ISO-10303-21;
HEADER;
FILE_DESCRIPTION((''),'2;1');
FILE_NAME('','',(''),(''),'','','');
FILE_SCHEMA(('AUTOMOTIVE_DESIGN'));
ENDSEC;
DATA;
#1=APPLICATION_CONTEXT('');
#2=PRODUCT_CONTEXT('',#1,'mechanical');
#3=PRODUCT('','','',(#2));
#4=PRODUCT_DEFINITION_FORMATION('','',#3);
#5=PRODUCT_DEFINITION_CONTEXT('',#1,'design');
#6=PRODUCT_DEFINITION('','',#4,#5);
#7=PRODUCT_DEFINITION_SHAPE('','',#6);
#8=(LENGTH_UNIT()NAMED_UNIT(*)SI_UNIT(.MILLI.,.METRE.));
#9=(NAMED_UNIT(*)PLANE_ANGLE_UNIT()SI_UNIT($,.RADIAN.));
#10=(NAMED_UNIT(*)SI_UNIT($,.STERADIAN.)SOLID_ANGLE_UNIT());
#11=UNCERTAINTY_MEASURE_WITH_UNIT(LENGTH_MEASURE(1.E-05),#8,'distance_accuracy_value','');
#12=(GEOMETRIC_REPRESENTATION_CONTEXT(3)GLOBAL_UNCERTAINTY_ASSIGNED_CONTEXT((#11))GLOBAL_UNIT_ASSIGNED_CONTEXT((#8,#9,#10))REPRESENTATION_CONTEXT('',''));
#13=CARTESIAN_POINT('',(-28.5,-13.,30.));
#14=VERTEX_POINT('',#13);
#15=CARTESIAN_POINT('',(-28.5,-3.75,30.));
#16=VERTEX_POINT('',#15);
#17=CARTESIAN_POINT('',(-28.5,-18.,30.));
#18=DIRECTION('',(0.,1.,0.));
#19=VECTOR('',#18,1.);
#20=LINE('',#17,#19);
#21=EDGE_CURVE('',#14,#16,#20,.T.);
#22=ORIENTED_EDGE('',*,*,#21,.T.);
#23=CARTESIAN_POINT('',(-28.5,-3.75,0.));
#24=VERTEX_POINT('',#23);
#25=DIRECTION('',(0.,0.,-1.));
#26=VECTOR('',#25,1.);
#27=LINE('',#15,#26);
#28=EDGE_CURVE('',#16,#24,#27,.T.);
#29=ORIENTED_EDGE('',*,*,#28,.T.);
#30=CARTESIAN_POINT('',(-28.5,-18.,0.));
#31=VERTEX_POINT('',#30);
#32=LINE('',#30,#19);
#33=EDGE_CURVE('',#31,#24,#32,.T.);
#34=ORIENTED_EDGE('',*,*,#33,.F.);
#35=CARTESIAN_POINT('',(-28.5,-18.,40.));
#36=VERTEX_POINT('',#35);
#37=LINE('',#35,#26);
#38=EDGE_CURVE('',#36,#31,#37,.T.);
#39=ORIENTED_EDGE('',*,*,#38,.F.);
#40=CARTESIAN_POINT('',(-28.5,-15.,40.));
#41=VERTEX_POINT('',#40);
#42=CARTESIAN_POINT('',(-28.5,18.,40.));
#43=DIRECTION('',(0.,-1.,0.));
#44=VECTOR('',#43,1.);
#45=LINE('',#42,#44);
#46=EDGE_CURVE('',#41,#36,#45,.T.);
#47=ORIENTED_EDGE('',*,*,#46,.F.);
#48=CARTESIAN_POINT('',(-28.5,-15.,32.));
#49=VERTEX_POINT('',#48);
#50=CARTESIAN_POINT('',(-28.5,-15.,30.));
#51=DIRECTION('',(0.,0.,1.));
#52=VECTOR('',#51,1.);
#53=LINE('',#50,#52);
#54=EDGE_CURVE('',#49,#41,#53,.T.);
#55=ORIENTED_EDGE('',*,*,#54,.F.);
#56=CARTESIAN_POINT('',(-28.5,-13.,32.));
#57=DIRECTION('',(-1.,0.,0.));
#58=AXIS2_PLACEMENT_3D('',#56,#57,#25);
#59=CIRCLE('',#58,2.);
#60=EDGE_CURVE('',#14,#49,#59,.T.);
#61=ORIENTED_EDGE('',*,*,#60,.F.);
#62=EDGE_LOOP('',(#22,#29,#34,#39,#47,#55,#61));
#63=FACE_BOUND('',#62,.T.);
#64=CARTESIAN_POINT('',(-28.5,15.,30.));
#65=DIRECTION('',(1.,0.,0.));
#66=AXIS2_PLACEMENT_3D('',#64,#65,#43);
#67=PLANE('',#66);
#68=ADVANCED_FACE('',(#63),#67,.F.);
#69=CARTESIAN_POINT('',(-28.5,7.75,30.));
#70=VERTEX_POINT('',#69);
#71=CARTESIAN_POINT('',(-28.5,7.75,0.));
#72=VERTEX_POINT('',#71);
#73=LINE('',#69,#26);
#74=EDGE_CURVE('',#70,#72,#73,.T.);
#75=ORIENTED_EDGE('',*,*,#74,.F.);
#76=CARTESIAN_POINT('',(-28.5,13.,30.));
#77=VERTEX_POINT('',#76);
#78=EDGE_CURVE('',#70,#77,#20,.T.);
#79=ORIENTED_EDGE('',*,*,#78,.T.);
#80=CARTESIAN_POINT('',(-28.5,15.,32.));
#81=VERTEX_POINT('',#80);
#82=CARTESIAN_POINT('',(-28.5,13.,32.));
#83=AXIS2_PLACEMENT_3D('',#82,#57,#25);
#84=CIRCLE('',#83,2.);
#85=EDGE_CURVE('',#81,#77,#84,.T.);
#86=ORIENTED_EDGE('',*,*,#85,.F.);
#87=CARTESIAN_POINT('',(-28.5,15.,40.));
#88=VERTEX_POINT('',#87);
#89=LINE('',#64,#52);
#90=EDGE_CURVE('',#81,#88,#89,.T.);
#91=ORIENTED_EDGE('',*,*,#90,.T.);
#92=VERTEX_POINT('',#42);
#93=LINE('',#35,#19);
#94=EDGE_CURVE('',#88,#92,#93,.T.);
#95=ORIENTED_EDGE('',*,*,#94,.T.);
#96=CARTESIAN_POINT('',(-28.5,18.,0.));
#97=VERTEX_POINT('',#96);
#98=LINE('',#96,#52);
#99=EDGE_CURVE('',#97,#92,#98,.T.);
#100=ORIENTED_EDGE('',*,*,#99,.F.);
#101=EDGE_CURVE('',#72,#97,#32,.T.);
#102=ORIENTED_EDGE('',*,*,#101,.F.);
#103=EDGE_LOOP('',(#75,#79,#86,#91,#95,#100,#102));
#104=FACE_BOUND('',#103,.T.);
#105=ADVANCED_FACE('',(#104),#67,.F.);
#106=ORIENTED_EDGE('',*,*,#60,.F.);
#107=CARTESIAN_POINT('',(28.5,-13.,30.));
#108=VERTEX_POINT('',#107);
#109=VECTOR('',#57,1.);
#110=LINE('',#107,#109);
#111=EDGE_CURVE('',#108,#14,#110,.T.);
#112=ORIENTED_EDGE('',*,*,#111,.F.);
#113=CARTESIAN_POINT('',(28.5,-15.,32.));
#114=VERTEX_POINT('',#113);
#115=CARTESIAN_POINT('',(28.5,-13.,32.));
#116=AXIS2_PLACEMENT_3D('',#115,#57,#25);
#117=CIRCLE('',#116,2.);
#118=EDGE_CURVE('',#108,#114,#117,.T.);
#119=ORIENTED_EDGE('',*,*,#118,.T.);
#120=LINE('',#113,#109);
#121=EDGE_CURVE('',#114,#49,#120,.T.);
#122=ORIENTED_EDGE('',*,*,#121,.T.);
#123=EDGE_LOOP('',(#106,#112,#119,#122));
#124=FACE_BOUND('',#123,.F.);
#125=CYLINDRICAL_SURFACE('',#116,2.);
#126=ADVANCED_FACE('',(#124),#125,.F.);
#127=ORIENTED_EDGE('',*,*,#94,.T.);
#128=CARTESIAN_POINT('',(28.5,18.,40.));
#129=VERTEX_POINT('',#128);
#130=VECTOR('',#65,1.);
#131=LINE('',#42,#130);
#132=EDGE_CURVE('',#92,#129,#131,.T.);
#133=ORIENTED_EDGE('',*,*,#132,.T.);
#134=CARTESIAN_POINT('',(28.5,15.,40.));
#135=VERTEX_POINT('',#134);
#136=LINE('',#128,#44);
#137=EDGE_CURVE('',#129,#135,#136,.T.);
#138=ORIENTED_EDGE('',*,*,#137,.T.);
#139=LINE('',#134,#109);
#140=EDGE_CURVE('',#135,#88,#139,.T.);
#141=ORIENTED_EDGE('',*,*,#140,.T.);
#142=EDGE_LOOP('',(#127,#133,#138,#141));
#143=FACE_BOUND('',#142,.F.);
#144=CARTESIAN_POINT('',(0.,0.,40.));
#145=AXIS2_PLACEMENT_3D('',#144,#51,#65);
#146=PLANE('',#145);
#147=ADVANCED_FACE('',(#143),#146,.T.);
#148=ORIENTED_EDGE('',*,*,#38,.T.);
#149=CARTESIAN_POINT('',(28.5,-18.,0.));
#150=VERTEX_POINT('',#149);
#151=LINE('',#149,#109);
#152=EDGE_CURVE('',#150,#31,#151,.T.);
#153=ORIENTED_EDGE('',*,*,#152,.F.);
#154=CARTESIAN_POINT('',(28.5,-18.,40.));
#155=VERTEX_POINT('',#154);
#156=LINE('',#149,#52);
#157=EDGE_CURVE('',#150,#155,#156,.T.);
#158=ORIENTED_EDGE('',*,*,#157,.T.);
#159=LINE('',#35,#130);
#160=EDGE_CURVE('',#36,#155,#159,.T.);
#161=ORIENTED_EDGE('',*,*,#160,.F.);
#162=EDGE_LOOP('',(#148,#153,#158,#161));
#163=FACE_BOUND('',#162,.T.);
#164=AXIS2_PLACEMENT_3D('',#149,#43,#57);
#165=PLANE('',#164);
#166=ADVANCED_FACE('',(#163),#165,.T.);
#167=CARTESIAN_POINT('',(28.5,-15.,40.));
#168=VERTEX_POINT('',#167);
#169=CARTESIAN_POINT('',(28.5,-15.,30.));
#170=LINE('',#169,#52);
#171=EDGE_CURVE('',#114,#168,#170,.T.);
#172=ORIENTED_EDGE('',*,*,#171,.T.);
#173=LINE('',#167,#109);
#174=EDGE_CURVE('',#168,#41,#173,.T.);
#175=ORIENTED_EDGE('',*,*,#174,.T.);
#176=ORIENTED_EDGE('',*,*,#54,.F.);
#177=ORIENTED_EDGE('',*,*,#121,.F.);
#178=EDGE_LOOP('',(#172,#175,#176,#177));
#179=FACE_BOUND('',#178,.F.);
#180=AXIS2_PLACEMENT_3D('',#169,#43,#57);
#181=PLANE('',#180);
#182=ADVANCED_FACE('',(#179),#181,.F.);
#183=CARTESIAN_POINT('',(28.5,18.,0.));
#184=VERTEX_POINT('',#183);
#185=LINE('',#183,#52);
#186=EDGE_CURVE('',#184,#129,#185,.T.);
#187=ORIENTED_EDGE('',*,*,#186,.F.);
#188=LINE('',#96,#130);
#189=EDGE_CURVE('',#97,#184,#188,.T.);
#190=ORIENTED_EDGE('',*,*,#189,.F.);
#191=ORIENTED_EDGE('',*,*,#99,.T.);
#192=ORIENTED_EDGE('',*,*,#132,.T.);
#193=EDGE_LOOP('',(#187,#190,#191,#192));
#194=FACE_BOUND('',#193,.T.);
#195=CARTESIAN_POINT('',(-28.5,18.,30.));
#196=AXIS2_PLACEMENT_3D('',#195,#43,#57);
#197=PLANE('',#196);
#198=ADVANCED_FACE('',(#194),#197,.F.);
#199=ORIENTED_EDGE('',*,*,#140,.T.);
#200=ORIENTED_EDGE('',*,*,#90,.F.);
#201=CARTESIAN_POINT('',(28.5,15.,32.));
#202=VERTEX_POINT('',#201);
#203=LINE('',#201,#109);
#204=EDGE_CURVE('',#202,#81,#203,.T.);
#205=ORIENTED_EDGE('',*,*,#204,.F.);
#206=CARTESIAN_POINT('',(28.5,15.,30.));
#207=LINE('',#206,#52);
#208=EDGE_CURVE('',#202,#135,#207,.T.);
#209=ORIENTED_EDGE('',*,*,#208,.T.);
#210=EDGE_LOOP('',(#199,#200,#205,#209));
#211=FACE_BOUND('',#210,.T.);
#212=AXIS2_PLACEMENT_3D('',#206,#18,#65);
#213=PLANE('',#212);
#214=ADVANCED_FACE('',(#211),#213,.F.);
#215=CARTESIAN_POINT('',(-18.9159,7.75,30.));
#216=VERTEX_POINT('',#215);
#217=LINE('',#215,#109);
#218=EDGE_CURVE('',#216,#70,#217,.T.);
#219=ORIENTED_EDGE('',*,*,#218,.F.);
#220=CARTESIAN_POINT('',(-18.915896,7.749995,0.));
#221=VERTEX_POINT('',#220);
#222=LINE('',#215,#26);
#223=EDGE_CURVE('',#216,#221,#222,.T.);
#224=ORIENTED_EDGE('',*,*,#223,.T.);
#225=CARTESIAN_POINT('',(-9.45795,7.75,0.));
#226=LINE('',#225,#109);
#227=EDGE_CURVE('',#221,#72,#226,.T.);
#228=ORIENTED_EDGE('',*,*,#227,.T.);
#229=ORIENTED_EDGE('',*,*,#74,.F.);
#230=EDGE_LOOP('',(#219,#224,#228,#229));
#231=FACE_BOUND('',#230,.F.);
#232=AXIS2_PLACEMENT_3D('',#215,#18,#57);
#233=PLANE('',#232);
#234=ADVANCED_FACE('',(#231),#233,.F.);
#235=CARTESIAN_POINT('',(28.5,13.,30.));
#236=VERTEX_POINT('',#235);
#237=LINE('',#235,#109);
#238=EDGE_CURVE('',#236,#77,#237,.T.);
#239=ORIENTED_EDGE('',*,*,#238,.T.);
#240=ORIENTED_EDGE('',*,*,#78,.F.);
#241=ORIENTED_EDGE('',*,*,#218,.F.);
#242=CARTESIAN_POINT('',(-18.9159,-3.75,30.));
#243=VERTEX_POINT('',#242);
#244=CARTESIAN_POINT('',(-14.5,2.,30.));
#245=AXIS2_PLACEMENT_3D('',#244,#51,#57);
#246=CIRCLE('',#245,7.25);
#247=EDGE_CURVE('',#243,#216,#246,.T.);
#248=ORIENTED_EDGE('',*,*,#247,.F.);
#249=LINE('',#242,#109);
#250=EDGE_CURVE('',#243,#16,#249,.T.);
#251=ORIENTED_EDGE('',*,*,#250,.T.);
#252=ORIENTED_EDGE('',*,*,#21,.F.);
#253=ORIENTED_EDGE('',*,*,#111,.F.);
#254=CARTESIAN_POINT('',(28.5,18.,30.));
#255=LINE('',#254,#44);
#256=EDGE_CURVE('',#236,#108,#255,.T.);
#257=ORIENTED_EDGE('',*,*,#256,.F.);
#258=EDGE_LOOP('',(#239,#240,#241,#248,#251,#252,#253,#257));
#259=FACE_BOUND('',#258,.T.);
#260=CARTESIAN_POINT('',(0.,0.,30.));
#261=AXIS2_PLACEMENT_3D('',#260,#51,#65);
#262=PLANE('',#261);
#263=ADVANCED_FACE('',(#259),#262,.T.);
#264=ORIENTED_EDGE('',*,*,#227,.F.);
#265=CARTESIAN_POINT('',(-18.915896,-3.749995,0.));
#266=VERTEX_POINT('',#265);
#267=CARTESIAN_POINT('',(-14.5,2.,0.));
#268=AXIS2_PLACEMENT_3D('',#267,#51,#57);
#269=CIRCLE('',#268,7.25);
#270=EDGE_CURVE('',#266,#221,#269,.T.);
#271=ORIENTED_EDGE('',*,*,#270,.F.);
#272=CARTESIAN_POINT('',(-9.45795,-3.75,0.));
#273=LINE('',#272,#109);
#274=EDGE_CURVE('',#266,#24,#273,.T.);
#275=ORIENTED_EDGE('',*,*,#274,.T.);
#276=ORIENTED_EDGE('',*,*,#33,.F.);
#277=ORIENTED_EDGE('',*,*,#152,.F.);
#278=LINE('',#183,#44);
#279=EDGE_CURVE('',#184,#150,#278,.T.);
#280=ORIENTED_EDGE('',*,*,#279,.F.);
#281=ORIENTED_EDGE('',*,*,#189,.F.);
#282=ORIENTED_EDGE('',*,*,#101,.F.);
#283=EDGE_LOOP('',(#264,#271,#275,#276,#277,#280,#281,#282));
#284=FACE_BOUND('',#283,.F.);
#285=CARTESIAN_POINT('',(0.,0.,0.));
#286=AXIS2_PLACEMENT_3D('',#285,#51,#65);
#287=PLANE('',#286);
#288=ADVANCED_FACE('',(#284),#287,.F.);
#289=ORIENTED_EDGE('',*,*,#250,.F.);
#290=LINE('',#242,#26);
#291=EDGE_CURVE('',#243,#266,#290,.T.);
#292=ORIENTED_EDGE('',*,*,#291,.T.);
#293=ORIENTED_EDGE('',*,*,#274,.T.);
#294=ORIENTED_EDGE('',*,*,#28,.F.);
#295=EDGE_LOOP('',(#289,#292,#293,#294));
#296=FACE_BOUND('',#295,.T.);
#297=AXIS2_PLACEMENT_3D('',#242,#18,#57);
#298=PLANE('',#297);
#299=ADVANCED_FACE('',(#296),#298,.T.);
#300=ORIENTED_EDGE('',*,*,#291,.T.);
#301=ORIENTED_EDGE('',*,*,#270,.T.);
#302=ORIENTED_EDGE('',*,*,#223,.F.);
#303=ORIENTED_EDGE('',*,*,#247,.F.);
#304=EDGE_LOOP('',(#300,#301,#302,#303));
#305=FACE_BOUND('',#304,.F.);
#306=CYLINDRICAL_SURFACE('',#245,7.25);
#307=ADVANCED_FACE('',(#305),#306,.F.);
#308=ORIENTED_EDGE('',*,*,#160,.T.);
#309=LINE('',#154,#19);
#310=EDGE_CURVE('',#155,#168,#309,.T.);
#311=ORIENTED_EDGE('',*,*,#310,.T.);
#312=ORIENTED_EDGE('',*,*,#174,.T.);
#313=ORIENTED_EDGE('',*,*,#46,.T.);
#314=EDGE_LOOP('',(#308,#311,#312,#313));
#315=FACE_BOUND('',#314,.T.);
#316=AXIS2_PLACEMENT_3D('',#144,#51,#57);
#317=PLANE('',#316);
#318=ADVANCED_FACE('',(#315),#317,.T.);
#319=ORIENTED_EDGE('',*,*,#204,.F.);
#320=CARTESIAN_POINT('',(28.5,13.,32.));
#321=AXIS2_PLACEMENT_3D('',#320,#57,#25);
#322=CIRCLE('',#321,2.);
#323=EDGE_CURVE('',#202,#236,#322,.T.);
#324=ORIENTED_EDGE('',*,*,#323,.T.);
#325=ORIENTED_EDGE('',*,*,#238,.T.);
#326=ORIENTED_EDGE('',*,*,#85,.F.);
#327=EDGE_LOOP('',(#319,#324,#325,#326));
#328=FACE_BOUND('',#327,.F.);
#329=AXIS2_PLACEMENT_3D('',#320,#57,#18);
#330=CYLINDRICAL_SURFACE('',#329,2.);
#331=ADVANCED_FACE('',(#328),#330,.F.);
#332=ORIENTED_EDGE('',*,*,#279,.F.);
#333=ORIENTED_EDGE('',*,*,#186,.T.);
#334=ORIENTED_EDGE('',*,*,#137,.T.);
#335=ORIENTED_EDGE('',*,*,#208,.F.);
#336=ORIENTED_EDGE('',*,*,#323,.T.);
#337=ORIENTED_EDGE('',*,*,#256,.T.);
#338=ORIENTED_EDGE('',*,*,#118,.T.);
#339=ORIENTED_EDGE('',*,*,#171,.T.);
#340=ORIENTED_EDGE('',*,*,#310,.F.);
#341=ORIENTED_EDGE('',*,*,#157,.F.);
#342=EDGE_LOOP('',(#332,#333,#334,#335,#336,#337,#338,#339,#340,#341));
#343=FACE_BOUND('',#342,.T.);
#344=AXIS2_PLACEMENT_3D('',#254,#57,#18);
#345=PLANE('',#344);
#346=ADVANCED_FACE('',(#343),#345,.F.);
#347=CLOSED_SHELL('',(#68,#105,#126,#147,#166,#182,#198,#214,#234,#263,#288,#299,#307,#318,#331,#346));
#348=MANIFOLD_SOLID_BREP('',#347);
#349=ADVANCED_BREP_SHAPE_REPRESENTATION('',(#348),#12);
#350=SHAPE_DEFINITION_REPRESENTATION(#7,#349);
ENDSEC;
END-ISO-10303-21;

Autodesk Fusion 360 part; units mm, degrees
sketch "Sketch1" plane through (0, 0, 0) normal (0, 0, 1) x (1, 0, 0)
  line L0 (28.5, -18) -> (-28.5, -18)
  line L1 (-28.5, -18) -> (-28.5, 18)
  line L2 (-28.5, 18) -> (28.5, 18)
  line L3 (28.5, 18) -> (28.5, -18)
  line L4 (28.5, -18) -> (-28.5, 18) construction
  line L5 (-28.5, -18) -> (28.5, 18) construction
  dimension "d1" = 57
  dimension "d2" = 36
extrude "Extrude1" add sketch "Sketch1" along normal blind 30
sketch "Sketch2" plane through (0, 0, 30) normal (0, 0, 1) x (-1, 0, 0)
  line L0 (-28.5, -18) -> (28.5, -18)
  line L1 (28.5, -18) -> (28.5, 18)
  line L2 (28.5, 18) -> (-28.5, 18)
  line L3 (-28.5, 18) -> (-28.5, -18)
  line L4 (28.5, 18) -> (28.5, 15)
  line L5 (-28.5, 15) -> (28.5, 15)
  line L6 (-28.5, 15) -> (-28.5, 18)
  line L7 (-28.5, 18) -> (28.5, 18)
  dimension "d7" = 3
extrude "Extrude2" add sketch "Sketch2" along normal blind 10 contours L1 L2 L3 L4 L5 L6 L7
mirror "Mirror1" about plane through (0, 0, 0) normal (0, 1, 0) of "Extrude2"
sketch "Sketch3" plane through (0, 0, 30) normal (0, 0, 1) x (-1, 0, 0)
  line L0 (-28.5, -15) -> (28.5, -15)
  line L1 (28.5, -15) -> (28.5, 15)
  line L2 (28.5, 15) -> (-28.5, 15)
  line L3 (-28.5, 15) -> (-28.5, -15)
  circle A0 centre (14.5, -2) radius 7.25
  dimension "d10" = 14.5
  dimension "d11" = 14
  dimension "d15" = 17
  dimension "d18" = 13
extrude "Extrude3" cut sketch "Sketch3" against normal through all contours A0
sketch "Sketch4" plane through (0, 0, 30) normal (0, 0, 1) x (-1, 0, 0)
  circle A0 centre (14.5, -2) radius 7.25
  line L0 (-28.5, -15) -> (28.5, -15)
  line L1 (28.5, -15) -> (28.5, 15)
  line L2 (28.5, 15) -> (-28.5, 15)
  line L3 (-28.5, 15) -> (-28.5, -15)
  line L4 (18.9159, -7.75) -> (28.5, -7.75)
  line L5 (28.5, -7.75) -> (28.5, 3.75)
  line L6 (18.9159, 3.75) -> (18.9159, -7.75)
  line L7 (18.9159, 3.75) -> (28.5, 3.75)
  dimension "d13" = 11.5
extrude "Extrude4" cut sketch "Sketch4" against normal through all contours A0 L1 L4 L5 L7
fillet "Fillet1" radius 2 2 edges at (0, -15, 30) (0, 15, 30)
